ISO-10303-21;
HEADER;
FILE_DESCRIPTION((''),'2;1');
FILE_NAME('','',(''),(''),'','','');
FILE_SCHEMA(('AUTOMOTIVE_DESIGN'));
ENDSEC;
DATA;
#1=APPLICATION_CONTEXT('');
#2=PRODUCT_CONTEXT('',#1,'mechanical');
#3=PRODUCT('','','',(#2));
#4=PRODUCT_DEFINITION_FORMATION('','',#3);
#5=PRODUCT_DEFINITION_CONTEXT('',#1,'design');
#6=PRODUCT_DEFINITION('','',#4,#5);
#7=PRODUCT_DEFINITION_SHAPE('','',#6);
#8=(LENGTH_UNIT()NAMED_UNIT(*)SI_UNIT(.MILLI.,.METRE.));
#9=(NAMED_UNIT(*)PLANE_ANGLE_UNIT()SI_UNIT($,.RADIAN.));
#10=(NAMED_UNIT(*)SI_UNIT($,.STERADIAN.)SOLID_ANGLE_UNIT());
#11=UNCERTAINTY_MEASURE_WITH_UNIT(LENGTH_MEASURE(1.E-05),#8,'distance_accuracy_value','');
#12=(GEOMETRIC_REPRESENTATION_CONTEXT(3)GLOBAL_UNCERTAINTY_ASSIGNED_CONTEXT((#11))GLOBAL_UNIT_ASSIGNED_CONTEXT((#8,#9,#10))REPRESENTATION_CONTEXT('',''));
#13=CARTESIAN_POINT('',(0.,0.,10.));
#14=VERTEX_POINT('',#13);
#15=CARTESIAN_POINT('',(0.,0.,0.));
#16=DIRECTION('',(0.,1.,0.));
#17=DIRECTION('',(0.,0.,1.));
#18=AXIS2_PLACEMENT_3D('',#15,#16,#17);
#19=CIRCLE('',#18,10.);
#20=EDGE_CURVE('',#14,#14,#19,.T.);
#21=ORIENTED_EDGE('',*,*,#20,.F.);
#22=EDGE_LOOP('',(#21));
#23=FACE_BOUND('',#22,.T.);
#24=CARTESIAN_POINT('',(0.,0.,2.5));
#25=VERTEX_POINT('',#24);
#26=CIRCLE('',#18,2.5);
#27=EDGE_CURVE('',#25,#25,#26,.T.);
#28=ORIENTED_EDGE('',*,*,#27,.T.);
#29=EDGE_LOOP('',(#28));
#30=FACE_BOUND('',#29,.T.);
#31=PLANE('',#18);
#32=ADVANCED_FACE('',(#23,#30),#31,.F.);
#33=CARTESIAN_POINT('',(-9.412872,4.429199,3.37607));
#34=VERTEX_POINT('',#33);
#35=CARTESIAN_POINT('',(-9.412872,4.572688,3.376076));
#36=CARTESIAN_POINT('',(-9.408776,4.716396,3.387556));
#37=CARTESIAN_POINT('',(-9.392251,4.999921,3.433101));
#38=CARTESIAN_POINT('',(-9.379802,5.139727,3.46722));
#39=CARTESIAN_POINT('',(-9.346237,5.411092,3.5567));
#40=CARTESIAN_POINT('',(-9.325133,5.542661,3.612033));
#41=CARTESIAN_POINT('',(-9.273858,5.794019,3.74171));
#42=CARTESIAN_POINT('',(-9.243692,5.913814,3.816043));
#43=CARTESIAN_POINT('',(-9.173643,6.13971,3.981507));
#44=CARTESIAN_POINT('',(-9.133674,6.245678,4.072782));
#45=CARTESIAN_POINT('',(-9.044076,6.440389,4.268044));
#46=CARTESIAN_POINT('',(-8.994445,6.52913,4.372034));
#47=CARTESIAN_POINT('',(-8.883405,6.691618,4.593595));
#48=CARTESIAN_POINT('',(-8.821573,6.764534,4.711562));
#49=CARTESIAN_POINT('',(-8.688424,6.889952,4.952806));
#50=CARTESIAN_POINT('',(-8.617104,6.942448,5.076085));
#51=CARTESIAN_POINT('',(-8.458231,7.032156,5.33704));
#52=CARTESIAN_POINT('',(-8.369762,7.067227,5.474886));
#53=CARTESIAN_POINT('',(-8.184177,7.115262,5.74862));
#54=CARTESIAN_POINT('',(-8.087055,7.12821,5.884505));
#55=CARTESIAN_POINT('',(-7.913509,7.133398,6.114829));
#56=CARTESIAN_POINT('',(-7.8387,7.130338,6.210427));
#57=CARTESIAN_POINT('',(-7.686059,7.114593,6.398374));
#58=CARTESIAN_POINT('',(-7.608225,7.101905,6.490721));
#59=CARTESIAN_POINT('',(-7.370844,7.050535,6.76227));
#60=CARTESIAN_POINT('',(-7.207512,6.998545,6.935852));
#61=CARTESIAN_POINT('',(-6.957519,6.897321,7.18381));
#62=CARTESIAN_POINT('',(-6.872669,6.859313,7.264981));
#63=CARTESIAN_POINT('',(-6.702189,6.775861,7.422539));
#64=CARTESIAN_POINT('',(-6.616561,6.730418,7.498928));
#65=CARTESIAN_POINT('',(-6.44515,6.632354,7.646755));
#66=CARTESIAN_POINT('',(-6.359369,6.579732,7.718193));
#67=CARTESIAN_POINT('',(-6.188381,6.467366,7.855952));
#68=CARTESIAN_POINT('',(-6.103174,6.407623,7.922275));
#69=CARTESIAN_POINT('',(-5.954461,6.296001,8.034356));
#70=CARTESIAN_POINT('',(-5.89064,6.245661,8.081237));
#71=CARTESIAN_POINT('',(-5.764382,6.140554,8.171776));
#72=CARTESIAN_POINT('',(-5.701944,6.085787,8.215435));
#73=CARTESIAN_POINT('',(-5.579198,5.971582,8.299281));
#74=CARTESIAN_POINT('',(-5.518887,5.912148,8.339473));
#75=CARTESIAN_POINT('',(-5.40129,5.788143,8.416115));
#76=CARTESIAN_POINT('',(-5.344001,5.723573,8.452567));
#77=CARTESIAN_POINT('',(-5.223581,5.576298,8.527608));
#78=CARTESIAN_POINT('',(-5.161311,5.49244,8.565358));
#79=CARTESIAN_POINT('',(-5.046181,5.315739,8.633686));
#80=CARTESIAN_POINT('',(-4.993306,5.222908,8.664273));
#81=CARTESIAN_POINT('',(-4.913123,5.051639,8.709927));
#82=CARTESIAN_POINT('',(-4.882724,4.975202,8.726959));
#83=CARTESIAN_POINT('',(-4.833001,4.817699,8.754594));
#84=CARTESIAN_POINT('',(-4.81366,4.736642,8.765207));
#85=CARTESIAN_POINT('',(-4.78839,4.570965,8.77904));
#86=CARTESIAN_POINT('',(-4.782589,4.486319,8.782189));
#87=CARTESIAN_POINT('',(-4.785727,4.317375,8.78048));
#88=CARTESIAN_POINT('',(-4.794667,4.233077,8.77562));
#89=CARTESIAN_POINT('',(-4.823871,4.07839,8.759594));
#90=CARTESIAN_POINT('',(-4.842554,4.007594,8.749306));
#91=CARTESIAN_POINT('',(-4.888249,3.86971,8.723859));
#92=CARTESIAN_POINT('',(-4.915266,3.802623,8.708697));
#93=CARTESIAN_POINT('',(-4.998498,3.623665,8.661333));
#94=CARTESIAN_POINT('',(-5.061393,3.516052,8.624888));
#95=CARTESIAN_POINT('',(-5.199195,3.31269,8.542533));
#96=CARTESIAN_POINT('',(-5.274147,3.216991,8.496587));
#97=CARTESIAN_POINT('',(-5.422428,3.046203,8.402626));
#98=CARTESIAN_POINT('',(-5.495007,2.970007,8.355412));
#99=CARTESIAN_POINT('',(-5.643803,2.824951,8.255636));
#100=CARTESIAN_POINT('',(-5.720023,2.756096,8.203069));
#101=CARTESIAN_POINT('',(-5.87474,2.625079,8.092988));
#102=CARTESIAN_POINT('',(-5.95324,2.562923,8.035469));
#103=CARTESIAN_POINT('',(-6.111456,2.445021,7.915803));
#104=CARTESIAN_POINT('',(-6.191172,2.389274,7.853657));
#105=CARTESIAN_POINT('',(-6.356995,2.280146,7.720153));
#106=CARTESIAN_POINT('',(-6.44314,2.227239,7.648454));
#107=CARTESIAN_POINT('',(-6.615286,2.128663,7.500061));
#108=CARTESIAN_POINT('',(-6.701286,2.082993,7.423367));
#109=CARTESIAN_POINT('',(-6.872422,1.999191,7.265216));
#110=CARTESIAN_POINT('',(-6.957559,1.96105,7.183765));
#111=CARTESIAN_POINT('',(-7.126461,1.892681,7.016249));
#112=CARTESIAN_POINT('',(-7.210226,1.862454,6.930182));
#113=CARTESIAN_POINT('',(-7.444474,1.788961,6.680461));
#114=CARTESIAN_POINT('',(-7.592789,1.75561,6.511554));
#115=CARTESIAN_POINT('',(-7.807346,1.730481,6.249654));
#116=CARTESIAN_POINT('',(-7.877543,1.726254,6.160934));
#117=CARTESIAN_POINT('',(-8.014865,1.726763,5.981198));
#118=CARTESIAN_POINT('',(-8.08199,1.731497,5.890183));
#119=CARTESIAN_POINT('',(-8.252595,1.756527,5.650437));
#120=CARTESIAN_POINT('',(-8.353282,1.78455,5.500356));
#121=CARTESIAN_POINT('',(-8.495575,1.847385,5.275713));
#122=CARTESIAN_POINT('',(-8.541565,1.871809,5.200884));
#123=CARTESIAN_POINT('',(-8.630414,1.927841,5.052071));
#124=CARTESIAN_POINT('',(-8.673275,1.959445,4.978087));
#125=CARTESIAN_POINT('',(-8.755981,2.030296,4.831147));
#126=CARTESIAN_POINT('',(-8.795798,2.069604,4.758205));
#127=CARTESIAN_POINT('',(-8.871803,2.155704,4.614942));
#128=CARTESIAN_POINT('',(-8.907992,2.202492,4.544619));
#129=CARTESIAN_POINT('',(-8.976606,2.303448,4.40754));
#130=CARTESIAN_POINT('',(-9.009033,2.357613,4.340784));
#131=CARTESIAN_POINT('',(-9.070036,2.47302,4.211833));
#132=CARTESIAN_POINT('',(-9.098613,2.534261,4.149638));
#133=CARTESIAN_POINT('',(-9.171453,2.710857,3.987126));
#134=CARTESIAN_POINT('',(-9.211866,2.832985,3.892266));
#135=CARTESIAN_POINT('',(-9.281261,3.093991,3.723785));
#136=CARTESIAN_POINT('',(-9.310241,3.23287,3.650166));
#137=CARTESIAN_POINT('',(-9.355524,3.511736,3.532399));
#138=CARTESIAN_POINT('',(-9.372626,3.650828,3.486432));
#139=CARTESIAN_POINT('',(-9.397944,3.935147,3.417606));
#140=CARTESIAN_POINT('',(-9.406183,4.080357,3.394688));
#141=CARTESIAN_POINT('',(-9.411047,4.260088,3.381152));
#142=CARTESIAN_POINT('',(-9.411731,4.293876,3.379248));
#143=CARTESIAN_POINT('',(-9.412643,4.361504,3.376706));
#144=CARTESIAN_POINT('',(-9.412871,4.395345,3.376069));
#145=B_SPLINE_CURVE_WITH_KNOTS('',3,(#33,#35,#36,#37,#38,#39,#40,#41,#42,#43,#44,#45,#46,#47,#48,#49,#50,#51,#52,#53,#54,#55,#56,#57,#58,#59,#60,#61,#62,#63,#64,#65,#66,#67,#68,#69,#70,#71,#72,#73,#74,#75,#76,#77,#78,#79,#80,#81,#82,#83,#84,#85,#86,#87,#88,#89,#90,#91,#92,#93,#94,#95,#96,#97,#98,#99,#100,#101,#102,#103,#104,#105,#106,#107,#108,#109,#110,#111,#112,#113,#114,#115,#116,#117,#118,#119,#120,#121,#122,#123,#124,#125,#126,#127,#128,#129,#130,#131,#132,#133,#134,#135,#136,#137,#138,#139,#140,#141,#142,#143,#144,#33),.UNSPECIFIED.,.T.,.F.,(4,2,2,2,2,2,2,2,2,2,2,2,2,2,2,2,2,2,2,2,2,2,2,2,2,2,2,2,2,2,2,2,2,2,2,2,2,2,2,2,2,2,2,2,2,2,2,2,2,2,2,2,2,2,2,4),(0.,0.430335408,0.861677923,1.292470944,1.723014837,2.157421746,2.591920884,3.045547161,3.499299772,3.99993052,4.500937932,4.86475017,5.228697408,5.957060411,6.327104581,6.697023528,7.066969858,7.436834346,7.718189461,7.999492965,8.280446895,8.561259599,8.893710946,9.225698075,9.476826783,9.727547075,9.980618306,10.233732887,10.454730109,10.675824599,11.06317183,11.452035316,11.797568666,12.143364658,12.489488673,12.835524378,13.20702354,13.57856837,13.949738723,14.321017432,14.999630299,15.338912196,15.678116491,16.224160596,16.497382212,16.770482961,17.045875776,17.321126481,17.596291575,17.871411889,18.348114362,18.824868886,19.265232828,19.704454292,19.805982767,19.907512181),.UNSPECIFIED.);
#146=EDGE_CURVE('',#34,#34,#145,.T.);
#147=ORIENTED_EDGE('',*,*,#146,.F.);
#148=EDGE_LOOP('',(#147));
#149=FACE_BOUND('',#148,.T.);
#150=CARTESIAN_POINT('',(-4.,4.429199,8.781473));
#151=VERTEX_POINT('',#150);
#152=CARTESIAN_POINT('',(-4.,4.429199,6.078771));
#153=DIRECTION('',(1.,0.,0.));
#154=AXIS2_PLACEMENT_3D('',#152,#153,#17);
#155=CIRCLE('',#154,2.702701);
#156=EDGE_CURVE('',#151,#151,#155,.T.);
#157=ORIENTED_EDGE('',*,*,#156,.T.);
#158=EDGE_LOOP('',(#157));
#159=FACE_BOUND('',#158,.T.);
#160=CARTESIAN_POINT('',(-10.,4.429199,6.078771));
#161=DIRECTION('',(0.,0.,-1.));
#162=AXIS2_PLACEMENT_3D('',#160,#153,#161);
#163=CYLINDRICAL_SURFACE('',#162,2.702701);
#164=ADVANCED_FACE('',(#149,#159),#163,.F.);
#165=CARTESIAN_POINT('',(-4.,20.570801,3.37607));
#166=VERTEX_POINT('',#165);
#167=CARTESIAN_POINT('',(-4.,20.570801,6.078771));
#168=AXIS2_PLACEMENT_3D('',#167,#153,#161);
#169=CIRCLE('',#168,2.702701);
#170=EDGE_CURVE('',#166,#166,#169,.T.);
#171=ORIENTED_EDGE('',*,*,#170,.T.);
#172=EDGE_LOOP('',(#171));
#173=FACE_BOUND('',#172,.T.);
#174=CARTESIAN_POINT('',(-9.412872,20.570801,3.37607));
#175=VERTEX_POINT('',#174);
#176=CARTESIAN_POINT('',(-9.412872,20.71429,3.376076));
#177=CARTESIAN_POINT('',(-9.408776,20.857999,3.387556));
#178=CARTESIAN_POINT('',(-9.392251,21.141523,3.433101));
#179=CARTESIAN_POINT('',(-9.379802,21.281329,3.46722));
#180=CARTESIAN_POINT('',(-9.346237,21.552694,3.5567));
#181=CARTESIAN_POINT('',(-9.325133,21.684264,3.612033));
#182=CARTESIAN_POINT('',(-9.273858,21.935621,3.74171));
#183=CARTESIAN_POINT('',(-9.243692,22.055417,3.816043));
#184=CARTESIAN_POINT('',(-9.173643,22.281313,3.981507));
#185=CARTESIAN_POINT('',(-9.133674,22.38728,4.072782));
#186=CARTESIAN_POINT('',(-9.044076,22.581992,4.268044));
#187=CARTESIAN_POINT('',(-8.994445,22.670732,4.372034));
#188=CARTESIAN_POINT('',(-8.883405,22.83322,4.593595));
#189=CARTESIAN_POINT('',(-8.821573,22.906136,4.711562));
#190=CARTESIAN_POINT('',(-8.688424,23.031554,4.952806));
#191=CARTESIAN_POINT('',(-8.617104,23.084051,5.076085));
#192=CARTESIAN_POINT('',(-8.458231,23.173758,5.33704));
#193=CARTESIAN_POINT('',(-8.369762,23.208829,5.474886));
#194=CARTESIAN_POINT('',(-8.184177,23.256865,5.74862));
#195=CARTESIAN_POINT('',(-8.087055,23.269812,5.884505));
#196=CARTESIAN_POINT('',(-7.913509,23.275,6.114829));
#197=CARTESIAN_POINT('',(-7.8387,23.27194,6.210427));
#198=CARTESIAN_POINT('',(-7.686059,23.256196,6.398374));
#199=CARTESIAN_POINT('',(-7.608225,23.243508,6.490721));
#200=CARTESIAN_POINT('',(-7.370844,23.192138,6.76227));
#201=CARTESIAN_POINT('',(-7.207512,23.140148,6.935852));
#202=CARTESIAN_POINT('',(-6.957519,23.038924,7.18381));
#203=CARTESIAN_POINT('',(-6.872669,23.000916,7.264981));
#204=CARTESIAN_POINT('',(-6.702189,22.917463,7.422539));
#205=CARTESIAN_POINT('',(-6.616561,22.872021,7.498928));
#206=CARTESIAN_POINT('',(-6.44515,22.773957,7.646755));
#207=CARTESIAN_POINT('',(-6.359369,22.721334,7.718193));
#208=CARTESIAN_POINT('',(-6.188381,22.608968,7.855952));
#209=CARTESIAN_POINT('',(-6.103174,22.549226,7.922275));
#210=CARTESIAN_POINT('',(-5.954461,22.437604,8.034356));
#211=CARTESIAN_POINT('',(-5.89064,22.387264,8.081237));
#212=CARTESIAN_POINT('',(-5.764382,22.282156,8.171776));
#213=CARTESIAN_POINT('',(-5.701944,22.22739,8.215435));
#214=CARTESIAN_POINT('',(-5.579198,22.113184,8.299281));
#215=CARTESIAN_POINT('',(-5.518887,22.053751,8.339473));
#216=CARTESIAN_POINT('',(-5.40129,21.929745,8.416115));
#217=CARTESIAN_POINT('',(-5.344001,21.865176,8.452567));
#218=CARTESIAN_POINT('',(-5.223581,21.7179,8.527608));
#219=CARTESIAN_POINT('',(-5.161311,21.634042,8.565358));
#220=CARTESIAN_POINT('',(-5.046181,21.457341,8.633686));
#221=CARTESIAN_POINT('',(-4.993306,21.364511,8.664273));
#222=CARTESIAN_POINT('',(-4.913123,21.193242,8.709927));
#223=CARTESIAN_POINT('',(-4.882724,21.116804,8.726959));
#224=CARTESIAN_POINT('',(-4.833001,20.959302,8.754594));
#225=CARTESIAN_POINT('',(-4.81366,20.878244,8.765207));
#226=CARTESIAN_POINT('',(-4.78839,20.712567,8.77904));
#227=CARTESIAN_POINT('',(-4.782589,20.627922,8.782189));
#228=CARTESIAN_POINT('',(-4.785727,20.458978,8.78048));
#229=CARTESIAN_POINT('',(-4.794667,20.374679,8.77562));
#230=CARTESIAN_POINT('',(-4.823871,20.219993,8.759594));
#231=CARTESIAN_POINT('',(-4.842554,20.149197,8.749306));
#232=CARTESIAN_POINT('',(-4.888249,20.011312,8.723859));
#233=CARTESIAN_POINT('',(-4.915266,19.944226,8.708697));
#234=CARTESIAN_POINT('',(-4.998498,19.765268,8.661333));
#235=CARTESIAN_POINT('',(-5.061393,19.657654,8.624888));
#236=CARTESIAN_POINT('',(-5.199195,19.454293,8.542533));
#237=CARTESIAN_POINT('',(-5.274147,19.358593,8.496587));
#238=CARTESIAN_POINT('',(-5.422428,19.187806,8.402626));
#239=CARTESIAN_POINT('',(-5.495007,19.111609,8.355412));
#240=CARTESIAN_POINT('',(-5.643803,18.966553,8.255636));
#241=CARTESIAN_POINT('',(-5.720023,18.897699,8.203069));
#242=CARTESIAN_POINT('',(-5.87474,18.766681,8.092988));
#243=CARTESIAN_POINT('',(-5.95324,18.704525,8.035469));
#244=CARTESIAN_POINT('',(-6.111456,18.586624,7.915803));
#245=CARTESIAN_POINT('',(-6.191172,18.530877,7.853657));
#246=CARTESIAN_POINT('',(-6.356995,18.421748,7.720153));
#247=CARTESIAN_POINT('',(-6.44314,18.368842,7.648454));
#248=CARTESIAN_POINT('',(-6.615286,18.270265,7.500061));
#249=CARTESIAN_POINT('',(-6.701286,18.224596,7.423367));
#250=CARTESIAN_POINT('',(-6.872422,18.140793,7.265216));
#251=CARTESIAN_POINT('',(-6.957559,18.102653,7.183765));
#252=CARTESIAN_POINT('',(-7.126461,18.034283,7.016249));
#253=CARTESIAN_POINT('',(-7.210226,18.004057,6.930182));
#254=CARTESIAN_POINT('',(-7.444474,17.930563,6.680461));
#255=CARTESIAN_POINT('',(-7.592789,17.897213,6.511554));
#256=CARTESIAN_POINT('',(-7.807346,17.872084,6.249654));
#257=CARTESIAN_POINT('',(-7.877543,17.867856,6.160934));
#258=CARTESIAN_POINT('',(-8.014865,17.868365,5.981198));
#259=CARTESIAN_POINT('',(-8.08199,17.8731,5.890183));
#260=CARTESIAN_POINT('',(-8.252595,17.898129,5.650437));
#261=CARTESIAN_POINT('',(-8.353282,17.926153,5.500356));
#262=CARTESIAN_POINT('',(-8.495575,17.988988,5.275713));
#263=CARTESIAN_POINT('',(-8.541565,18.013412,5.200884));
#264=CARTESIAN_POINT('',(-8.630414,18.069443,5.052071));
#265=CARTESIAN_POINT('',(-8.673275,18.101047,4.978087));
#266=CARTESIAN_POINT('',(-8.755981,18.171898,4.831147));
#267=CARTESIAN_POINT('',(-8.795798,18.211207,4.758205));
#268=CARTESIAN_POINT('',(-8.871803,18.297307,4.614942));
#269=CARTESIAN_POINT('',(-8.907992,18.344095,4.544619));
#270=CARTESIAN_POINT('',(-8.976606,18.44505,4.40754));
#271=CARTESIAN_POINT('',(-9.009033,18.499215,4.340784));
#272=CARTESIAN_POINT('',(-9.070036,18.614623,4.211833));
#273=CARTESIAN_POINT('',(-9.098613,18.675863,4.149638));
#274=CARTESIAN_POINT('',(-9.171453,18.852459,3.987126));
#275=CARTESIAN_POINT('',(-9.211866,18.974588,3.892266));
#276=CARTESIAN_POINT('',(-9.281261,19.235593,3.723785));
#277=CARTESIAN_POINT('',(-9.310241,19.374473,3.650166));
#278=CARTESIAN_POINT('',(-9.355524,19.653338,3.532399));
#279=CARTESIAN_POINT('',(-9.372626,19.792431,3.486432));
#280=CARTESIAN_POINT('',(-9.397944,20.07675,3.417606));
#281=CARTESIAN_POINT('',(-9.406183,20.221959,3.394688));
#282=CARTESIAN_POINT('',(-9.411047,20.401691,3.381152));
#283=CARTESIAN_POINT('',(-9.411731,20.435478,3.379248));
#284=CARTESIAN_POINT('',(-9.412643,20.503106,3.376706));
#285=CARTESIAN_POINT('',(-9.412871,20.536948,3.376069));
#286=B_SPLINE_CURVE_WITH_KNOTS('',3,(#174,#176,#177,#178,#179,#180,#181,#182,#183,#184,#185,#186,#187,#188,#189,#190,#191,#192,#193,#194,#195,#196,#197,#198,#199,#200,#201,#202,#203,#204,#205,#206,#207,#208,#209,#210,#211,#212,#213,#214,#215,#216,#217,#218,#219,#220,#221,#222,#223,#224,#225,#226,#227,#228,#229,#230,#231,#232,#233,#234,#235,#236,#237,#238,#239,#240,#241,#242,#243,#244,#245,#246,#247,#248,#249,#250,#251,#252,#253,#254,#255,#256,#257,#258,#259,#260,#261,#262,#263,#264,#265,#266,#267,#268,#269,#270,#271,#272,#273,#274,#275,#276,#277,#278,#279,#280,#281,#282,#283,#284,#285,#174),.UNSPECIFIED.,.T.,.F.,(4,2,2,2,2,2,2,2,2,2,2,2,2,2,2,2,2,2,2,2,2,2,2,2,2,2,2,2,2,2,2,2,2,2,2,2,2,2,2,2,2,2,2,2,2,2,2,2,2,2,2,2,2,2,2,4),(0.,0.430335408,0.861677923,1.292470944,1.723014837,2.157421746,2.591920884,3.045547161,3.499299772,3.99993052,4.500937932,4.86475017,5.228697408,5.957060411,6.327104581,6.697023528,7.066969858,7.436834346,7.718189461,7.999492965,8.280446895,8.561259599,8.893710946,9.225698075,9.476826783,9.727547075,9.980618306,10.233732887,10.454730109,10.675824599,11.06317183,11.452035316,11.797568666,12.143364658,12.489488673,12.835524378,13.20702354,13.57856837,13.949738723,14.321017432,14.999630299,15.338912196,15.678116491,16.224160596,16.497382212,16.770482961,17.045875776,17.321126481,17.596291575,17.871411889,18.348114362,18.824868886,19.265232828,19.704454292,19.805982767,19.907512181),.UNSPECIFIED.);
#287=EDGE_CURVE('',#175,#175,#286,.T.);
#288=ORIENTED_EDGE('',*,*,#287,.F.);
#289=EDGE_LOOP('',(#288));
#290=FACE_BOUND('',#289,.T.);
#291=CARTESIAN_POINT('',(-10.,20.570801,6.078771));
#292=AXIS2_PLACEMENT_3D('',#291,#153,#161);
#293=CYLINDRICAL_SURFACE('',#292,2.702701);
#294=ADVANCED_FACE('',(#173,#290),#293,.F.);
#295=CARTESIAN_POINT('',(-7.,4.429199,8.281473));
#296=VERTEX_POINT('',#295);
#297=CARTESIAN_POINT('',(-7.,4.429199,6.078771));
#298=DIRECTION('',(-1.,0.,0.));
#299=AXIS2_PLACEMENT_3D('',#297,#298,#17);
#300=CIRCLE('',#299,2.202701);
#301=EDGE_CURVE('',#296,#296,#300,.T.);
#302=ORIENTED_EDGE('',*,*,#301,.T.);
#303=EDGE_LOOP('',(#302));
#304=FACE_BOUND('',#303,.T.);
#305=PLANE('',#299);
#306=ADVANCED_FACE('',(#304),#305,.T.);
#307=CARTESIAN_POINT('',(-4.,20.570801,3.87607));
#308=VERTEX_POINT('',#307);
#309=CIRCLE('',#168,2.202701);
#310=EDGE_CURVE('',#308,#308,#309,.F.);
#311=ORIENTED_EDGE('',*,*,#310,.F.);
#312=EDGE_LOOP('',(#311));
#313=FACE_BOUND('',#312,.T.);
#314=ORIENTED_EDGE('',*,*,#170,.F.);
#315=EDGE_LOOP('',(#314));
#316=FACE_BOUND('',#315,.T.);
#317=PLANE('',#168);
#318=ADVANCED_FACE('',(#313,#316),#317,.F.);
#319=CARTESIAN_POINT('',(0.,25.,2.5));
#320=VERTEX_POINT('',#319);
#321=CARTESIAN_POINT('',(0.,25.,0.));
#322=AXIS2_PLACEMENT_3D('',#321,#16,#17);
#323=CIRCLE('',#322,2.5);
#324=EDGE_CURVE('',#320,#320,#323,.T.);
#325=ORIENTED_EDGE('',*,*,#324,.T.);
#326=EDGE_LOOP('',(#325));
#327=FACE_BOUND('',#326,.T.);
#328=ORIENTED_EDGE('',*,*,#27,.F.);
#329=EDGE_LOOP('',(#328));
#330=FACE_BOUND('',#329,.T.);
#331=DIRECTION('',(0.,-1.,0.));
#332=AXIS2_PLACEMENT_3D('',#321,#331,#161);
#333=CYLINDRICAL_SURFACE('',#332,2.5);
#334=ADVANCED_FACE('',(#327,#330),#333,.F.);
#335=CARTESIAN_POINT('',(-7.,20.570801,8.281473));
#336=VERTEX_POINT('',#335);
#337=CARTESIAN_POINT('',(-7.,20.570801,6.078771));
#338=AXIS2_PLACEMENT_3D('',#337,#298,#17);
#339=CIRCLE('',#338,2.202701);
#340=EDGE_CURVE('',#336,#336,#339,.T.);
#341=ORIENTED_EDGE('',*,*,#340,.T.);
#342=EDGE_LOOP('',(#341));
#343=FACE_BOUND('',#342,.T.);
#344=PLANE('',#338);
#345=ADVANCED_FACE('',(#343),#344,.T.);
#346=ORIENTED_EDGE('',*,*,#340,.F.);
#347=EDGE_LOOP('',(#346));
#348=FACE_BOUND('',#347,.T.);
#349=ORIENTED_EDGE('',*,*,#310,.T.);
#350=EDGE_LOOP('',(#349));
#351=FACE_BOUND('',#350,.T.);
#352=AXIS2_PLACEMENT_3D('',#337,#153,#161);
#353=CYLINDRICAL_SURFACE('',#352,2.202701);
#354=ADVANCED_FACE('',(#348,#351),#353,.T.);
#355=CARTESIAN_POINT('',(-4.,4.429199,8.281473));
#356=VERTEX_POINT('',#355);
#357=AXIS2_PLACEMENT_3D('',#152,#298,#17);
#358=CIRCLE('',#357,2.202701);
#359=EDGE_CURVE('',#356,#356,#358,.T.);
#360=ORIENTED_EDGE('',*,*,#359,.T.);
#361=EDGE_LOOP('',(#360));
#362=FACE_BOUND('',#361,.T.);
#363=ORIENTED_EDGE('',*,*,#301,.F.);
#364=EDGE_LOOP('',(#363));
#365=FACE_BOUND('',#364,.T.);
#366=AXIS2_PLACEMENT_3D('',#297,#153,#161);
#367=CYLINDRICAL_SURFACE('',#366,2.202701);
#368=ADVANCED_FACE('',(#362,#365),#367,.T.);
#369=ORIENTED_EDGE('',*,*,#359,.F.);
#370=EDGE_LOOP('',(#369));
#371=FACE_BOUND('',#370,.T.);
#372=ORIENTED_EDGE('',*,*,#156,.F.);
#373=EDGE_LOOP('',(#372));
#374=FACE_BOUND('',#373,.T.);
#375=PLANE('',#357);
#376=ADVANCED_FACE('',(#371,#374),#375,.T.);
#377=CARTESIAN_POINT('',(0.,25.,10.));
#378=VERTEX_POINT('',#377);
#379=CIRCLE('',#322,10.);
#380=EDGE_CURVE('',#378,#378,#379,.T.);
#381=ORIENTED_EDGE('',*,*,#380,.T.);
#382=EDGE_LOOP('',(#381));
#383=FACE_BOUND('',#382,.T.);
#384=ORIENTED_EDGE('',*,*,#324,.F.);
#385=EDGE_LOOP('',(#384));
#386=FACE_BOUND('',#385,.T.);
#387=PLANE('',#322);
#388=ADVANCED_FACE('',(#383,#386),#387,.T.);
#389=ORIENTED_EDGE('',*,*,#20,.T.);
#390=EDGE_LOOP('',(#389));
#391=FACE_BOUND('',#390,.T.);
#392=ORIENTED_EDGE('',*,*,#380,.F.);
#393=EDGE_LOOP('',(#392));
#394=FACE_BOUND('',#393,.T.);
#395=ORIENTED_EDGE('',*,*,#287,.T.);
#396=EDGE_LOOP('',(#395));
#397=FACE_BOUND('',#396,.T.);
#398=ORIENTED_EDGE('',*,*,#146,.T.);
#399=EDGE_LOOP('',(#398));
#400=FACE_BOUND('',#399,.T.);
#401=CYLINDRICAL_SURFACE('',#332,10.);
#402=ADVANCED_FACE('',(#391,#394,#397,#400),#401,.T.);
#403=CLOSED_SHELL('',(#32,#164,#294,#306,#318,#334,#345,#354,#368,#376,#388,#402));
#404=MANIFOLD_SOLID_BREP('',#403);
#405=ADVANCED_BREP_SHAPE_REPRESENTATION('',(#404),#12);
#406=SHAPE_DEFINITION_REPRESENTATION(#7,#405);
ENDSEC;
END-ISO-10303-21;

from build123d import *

# Parameters (mm, degrees)
SKETCH1_R           = 10
SKETCH1_R_2         = 2.5
BOSS_EXTRUDE1_DEPTH = 25
CUT_EXTRUDE1_START  = -4
SKETCH2_R           = 2.702701275
CUT_EXTRUDE1_DEPTH  = 25.722813233
SKETCH3_R           = 2.202701275
BOSS_EXTRUDE2_DEPTH = 3


with BuildPart() as part:
    # Sketch1 → Boss-Extrude1 (new body)
    with BuildSketch(Plane(origin=(0, 0, 0), x_dir=(1, 0, 0), z_dir=(0, 1, 0))):
        with Locations(Location((0, 0, 0), (0, 0, 270))):
            Circle(SKETCH1_R)
        with Locations(Location((0, 0, 0), (0, 0, 270))):
            Circle(SKETCH1_R_2, mode=Mode.SUBTRACT)
    extrude(amount=BOSS_EXTRUDE1_DEPTH)

    # Sketch2 → Cut-Extrude1 (cut, through all)
    with BuildSketch(Plane(origin=(0, 0, 0), x_dir=(0, 0, -1), z_dir=(1, 0, 0)).offset(CUT_EXTRUDE1_START)):
        with Locations((-6.078771431, 20.570801258)):
            Circle(SKETCH2_R)
        with Locations((-6.078771431, 4.429198742)):
            Circle(SKETCH2_R)
    extrude(amount=-CUT_EXTRUDE1_DEPTH, mode=Mode.SUBTRACT)

    # Sketch3 → Boss-Extrude2 (add)
    with BuildSketch(Plane.ZY.offset(4)):
        with Locations((6.078771431, 4.429198742)):
            Circle(SKETCH3_R)
        with Locations(Location((6.078771431, 20.570801258, 0), (0, 0, 180))):
            Circle(SKETCH3_R)
    extrude(amount=BOSS_EXTRUDE2_DEPTH)


solid = part.part
